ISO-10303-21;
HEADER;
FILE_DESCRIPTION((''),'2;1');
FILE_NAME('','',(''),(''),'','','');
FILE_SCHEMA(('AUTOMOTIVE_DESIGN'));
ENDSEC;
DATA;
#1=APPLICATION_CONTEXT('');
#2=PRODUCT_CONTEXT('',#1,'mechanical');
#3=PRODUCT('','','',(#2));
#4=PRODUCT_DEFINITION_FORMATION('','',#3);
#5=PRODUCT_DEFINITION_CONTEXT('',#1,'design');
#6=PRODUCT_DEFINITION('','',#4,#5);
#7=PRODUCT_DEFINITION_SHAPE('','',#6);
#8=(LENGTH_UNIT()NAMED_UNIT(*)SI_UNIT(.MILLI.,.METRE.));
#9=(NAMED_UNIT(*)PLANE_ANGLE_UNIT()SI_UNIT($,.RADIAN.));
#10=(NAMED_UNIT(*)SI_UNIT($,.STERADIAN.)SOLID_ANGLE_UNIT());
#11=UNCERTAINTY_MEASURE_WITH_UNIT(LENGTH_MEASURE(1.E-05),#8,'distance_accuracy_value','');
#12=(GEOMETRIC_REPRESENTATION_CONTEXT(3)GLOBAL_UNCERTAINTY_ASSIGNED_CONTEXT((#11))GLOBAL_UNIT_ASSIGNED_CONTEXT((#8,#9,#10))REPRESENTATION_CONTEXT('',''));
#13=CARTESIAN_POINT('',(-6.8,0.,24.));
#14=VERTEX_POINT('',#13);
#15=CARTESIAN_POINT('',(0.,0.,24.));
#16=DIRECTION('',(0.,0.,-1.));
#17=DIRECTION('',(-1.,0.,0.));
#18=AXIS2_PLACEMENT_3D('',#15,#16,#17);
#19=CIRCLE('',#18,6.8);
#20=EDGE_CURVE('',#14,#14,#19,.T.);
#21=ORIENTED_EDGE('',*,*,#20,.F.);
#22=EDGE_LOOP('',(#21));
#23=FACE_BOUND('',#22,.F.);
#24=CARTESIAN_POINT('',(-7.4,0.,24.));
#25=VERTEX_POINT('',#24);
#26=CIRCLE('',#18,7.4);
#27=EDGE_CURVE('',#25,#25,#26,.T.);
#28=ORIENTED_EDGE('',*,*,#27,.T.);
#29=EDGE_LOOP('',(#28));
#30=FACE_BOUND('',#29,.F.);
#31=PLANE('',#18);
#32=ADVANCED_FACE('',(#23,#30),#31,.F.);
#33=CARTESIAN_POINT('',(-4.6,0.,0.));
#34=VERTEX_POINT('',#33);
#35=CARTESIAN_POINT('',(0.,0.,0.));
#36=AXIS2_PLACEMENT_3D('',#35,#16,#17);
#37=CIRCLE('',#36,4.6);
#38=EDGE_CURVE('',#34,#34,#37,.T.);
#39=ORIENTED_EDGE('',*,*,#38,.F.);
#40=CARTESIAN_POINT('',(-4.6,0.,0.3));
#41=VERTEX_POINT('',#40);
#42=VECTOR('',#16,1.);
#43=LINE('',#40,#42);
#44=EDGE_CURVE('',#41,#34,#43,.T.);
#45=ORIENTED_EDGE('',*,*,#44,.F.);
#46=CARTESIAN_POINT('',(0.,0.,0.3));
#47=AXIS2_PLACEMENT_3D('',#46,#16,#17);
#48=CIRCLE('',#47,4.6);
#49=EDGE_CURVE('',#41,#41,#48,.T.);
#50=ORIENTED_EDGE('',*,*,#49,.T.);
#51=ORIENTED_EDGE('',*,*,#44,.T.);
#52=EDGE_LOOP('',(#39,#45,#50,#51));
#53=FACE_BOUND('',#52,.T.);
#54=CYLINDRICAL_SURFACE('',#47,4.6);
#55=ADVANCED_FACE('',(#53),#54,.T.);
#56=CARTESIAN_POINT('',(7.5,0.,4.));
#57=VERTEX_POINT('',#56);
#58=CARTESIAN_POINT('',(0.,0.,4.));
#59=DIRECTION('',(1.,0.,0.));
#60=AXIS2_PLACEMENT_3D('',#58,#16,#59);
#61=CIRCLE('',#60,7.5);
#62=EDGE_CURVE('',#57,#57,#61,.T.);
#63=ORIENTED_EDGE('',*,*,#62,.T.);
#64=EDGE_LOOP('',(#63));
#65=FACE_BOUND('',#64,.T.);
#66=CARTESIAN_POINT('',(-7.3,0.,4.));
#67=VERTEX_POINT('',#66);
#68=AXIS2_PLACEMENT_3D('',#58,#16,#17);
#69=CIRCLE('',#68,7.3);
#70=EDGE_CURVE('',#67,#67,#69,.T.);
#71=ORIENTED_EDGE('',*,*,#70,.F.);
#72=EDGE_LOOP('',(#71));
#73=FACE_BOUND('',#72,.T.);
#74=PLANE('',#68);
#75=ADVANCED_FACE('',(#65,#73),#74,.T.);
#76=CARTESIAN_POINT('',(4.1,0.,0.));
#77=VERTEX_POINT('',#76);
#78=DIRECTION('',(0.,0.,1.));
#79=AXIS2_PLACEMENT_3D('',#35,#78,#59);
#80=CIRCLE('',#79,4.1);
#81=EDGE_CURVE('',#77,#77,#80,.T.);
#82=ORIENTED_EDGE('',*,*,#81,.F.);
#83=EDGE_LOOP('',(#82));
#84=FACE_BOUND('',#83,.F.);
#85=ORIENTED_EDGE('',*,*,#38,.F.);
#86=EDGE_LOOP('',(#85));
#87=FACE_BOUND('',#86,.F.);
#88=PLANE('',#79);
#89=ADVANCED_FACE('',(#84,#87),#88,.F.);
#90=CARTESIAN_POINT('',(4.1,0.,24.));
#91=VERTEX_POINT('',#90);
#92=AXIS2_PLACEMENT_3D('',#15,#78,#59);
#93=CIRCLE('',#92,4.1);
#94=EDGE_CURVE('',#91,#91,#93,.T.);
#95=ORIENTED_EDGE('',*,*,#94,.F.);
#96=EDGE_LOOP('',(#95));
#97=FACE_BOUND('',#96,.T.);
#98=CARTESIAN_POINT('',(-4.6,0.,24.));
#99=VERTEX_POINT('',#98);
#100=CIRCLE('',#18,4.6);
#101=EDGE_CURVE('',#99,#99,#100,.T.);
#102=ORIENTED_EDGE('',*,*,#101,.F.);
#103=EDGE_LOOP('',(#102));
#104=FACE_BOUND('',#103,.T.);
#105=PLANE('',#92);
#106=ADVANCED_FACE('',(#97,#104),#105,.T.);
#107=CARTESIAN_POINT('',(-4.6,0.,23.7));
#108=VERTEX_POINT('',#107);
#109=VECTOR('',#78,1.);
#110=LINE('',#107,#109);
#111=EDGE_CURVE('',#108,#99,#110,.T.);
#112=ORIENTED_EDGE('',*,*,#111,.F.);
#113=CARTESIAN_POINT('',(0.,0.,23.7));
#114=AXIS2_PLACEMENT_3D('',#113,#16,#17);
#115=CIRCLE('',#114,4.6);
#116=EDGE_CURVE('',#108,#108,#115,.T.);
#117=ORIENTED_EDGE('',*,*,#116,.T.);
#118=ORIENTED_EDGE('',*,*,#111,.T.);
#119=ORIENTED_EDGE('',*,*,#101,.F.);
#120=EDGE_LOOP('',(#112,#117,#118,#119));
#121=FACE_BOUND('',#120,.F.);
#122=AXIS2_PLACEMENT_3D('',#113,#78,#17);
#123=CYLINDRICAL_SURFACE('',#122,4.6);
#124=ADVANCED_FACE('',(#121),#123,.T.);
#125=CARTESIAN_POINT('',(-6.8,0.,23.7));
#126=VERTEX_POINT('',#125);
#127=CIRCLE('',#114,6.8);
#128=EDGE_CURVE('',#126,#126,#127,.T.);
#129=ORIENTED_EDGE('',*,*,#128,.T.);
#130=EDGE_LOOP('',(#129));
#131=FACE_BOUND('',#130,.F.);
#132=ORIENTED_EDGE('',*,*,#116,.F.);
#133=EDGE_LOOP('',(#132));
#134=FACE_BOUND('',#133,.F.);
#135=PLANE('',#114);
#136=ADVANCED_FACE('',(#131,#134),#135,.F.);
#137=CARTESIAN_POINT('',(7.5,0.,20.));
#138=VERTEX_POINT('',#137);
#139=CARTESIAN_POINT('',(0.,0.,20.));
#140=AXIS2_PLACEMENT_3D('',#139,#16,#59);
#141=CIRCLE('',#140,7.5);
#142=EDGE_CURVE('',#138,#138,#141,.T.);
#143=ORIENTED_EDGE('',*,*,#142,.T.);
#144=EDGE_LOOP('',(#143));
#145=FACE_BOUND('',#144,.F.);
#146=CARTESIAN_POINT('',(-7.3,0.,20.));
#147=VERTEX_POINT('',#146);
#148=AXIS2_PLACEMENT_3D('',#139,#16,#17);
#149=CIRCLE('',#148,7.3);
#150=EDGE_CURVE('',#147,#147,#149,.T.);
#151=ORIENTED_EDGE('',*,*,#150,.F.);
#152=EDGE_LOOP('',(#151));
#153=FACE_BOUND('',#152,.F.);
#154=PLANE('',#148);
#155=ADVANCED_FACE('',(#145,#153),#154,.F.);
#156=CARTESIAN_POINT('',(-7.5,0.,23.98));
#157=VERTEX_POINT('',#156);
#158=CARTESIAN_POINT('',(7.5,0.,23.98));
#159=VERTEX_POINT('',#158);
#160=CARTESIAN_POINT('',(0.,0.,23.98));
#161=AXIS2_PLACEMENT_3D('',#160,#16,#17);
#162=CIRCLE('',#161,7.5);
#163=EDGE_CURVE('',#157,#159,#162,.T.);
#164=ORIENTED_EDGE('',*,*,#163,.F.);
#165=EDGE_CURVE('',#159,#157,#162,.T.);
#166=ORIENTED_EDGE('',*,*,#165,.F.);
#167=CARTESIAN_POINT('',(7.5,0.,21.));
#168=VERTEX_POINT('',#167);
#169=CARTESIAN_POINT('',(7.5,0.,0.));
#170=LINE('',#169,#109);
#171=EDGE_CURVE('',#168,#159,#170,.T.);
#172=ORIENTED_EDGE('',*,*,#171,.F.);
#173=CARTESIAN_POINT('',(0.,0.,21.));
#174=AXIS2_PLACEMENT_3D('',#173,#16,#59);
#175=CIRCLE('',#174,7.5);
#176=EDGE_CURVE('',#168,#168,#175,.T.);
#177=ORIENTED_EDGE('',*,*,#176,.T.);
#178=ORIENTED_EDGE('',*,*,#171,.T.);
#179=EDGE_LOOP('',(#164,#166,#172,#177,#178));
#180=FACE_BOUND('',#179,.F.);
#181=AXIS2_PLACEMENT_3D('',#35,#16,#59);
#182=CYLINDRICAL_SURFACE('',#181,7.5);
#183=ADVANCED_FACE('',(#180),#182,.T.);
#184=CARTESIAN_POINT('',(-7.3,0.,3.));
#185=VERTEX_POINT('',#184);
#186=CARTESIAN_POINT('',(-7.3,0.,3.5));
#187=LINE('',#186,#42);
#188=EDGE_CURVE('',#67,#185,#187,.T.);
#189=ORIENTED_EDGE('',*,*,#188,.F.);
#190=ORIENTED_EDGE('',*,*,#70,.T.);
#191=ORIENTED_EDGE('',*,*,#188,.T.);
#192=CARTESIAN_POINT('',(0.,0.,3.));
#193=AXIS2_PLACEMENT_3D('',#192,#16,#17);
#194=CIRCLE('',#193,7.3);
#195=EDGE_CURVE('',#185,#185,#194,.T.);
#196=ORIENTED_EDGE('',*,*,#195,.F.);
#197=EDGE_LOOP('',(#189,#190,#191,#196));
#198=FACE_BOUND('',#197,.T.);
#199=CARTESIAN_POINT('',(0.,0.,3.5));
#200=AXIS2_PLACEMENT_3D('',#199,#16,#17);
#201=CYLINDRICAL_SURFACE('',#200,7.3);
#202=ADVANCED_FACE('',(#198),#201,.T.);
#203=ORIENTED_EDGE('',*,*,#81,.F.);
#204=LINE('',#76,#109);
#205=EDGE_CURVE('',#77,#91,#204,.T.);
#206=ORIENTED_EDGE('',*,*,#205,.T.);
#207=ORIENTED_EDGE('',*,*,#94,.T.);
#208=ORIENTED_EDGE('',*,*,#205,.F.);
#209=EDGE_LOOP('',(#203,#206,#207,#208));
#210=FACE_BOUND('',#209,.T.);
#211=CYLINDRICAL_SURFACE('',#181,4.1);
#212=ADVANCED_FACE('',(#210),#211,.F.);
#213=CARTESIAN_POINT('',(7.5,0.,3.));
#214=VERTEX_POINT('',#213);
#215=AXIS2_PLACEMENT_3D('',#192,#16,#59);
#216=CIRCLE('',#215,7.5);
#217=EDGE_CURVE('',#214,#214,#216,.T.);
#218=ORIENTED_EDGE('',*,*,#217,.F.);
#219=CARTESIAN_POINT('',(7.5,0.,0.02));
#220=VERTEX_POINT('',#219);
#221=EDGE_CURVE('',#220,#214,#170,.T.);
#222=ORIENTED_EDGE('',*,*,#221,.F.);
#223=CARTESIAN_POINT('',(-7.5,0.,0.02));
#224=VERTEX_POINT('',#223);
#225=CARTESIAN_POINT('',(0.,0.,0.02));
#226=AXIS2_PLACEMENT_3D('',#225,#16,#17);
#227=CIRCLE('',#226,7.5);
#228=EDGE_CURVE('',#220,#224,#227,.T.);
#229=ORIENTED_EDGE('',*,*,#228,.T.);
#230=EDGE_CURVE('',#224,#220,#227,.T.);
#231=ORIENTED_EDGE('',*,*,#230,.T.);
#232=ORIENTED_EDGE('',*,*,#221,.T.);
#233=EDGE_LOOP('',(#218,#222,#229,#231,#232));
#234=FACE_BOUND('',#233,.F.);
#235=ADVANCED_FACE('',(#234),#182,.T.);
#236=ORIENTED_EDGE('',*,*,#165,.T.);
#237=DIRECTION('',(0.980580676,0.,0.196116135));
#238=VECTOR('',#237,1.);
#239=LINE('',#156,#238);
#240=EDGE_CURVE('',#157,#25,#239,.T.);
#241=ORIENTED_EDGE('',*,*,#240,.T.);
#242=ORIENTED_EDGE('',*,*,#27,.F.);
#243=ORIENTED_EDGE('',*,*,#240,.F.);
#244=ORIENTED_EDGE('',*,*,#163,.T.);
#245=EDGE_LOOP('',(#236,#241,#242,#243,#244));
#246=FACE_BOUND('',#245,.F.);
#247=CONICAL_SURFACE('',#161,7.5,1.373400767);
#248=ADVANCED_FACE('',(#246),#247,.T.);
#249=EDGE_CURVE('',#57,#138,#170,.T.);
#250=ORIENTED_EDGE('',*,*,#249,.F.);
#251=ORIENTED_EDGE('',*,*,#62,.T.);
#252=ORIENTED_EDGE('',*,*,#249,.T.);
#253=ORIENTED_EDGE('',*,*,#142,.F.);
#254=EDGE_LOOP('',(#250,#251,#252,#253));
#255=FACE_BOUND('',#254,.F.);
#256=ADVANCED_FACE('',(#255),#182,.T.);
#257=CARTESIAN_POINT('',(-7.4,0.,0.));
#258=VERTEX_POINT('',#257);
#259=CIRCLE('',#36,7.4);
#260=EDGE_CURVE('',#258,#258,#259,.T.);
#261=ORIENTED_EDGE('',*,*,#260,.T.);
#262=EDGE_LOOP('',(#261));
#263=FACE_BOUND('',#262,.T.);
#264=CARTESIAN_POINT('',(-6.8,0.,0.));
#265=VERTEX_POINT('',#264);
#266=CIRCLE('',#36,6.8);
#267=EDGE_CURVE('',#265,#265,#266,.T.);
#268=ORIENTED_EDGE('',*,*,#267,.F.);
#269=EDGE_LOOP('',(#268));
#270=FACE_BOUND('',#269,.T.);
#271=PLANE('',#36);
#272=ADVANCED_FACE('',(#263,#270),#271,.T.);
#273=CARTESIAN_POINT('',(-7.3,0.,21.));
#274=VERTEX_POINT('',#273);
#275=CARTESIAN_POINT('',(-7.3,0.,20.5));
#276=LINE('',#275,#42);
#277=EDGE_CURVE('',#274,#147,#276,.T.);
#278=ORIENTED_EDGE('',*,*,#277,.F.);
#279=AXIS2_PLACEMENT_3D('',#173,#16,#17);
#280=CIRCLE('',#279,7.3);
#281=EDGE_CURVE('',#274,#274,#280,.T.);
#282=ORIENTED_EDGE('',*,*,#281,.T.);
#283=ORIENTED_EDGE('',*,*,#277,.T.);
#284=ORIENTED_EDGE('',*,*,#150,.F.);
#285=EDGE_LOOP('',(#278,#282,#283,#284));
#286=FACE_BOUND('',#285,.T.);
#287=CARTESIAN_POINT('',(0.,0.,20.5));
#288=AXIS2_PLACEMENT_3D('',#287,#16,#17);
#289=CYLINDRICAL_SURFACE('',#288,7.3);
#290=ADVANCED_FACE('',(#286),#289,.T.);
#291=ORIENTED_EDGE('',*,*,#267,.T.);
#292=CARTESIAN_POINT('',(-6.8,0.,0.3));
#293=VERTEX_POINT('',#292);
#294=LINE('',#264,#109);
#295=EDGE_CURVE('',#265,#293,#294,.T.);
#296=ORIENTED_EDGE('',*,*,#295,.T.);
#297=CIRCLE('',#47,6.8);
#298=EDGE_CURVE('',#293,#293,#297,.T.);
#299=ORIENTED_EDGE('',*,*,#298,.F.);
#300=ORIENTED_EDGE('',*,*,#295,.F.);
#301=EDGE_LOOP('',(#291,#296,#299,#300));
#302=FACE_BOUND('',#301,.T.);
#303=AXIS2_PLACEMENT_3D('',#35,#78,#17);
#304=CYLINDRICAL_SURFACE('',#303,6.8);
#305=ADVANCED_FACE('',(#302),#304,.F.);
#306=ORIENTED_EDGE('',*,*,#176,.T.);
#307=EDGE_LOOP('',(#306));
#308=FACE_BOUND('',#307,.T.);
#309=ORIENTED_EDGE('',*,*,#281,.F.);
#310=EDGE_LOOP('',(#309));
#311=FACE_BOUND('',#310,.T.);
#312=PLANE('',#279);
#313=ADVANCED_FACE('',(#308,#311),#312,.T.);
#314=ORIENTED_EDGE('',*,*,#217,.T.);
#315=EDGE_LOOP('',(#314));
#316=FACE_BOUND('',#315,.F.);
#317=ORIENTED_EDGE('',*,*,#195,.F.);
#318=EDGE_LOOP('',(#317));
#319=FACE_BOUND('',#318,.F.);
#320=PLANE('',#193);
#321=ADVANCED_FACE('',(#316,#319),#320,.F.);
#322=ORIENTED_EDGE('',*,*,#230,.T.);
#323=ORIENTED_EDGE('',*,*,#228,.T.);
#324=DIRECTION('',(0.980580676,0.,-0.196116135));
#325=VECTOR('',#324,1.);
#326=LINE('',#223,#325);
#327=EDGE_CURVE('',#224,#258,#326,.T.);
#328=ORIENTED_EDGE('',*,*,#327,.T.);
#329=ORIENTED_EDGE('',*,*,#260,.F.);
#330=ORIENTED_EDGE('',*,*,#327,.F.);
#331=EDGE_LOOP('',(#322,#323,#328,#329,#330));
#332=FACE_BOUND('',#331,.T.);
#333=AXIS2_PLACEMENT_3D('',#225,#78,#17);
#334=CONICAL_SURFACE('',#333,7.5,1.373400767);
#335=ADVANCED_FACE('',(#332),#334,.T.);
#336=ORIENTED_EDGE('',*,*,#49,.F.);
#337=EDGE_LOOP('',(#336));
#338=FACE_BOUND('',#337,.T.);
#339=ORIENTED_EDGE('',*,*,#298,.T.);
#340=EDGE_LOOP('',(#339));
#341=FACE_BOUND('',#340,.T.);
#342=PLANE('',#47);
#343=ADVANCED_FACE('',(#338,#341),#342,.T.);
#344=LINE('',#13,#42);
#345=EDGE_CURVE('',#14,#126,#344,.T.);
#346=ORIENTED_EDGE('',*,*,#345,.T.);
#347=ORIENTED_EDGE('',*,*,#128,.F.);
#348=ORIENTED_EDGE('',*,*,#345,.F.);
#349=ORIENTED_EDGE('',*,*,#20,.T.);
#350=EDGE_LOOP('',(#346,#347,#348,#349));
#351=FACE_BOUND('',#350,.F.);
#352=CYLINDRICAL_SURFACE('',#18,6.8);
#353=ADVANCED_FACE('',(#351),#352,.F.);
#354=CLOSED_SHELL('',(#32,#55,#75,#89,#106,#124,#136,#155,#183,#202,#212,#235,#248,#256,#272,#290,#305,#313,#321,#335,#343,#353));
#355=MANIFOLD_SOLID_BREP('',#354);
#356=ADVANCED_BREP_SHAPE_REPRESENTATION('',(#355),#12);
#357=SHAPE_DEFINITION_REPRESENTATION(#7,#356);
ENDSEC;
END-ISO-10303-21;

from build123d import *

# Parameters (mm, degrees)
CROQUIS1_R              = 7.5
CROQUIS1_R_2            = 4.1
SALIENTE_EXTRUIR1_DEPTH = 24
CROQUIS2_W              = 0.4
CROQUIS2_H              = 1


with BuildPart() as part:
    # Croquis1 → Saliente-Extruir1 (new body)
    with BuildSketch(Plane.XY):
        Circle(CROQUIS1_R)
        Circle(CROQUIS1_R_2, mode=Mode.SUBTRACT)
    extrude(amount=SALIENTE_EXTRUIR1_DEPTH)

    # Croquis2 → Cortar-Revolución1 (revolve, cut)
    with BuildSketch(Plane(origin=(0, 0, 0), x_dir=(1, 0, 0), z_dir=(0, 1, 0))):
        Polygon((-7.5, -0.02), (-7.4, 0), (-6.8, 0), (-6.8, -0.3), (-4.6, -0.3), (-4.6, 0), (-4.1, 0), (-4.1, 0.7), (-7.5, 0.7), align=None)
        Polygon((-7.5, -24.7), (-7.5, -23.98), (-7.4, -24), (-6.8, -24), (-6.8, -23.7), (-4.6, -23.7), (-4.6, -24), (-4.1, -24), (-4.1, -24.7), align=None)
        with Locations((-7.5, -3.5)):
            Rectangle(CROQUIS2_W, CROQUIS2_H)
        with Locations((-7.5, -20.5)):
            Rectangle(CROQUIS2_W, CROQUIS2_H)
    revolve(axis=Axis((0, 0, 24), (0, 0, -1)), mode=Mode.SUBTRACT)


solid = part.part
